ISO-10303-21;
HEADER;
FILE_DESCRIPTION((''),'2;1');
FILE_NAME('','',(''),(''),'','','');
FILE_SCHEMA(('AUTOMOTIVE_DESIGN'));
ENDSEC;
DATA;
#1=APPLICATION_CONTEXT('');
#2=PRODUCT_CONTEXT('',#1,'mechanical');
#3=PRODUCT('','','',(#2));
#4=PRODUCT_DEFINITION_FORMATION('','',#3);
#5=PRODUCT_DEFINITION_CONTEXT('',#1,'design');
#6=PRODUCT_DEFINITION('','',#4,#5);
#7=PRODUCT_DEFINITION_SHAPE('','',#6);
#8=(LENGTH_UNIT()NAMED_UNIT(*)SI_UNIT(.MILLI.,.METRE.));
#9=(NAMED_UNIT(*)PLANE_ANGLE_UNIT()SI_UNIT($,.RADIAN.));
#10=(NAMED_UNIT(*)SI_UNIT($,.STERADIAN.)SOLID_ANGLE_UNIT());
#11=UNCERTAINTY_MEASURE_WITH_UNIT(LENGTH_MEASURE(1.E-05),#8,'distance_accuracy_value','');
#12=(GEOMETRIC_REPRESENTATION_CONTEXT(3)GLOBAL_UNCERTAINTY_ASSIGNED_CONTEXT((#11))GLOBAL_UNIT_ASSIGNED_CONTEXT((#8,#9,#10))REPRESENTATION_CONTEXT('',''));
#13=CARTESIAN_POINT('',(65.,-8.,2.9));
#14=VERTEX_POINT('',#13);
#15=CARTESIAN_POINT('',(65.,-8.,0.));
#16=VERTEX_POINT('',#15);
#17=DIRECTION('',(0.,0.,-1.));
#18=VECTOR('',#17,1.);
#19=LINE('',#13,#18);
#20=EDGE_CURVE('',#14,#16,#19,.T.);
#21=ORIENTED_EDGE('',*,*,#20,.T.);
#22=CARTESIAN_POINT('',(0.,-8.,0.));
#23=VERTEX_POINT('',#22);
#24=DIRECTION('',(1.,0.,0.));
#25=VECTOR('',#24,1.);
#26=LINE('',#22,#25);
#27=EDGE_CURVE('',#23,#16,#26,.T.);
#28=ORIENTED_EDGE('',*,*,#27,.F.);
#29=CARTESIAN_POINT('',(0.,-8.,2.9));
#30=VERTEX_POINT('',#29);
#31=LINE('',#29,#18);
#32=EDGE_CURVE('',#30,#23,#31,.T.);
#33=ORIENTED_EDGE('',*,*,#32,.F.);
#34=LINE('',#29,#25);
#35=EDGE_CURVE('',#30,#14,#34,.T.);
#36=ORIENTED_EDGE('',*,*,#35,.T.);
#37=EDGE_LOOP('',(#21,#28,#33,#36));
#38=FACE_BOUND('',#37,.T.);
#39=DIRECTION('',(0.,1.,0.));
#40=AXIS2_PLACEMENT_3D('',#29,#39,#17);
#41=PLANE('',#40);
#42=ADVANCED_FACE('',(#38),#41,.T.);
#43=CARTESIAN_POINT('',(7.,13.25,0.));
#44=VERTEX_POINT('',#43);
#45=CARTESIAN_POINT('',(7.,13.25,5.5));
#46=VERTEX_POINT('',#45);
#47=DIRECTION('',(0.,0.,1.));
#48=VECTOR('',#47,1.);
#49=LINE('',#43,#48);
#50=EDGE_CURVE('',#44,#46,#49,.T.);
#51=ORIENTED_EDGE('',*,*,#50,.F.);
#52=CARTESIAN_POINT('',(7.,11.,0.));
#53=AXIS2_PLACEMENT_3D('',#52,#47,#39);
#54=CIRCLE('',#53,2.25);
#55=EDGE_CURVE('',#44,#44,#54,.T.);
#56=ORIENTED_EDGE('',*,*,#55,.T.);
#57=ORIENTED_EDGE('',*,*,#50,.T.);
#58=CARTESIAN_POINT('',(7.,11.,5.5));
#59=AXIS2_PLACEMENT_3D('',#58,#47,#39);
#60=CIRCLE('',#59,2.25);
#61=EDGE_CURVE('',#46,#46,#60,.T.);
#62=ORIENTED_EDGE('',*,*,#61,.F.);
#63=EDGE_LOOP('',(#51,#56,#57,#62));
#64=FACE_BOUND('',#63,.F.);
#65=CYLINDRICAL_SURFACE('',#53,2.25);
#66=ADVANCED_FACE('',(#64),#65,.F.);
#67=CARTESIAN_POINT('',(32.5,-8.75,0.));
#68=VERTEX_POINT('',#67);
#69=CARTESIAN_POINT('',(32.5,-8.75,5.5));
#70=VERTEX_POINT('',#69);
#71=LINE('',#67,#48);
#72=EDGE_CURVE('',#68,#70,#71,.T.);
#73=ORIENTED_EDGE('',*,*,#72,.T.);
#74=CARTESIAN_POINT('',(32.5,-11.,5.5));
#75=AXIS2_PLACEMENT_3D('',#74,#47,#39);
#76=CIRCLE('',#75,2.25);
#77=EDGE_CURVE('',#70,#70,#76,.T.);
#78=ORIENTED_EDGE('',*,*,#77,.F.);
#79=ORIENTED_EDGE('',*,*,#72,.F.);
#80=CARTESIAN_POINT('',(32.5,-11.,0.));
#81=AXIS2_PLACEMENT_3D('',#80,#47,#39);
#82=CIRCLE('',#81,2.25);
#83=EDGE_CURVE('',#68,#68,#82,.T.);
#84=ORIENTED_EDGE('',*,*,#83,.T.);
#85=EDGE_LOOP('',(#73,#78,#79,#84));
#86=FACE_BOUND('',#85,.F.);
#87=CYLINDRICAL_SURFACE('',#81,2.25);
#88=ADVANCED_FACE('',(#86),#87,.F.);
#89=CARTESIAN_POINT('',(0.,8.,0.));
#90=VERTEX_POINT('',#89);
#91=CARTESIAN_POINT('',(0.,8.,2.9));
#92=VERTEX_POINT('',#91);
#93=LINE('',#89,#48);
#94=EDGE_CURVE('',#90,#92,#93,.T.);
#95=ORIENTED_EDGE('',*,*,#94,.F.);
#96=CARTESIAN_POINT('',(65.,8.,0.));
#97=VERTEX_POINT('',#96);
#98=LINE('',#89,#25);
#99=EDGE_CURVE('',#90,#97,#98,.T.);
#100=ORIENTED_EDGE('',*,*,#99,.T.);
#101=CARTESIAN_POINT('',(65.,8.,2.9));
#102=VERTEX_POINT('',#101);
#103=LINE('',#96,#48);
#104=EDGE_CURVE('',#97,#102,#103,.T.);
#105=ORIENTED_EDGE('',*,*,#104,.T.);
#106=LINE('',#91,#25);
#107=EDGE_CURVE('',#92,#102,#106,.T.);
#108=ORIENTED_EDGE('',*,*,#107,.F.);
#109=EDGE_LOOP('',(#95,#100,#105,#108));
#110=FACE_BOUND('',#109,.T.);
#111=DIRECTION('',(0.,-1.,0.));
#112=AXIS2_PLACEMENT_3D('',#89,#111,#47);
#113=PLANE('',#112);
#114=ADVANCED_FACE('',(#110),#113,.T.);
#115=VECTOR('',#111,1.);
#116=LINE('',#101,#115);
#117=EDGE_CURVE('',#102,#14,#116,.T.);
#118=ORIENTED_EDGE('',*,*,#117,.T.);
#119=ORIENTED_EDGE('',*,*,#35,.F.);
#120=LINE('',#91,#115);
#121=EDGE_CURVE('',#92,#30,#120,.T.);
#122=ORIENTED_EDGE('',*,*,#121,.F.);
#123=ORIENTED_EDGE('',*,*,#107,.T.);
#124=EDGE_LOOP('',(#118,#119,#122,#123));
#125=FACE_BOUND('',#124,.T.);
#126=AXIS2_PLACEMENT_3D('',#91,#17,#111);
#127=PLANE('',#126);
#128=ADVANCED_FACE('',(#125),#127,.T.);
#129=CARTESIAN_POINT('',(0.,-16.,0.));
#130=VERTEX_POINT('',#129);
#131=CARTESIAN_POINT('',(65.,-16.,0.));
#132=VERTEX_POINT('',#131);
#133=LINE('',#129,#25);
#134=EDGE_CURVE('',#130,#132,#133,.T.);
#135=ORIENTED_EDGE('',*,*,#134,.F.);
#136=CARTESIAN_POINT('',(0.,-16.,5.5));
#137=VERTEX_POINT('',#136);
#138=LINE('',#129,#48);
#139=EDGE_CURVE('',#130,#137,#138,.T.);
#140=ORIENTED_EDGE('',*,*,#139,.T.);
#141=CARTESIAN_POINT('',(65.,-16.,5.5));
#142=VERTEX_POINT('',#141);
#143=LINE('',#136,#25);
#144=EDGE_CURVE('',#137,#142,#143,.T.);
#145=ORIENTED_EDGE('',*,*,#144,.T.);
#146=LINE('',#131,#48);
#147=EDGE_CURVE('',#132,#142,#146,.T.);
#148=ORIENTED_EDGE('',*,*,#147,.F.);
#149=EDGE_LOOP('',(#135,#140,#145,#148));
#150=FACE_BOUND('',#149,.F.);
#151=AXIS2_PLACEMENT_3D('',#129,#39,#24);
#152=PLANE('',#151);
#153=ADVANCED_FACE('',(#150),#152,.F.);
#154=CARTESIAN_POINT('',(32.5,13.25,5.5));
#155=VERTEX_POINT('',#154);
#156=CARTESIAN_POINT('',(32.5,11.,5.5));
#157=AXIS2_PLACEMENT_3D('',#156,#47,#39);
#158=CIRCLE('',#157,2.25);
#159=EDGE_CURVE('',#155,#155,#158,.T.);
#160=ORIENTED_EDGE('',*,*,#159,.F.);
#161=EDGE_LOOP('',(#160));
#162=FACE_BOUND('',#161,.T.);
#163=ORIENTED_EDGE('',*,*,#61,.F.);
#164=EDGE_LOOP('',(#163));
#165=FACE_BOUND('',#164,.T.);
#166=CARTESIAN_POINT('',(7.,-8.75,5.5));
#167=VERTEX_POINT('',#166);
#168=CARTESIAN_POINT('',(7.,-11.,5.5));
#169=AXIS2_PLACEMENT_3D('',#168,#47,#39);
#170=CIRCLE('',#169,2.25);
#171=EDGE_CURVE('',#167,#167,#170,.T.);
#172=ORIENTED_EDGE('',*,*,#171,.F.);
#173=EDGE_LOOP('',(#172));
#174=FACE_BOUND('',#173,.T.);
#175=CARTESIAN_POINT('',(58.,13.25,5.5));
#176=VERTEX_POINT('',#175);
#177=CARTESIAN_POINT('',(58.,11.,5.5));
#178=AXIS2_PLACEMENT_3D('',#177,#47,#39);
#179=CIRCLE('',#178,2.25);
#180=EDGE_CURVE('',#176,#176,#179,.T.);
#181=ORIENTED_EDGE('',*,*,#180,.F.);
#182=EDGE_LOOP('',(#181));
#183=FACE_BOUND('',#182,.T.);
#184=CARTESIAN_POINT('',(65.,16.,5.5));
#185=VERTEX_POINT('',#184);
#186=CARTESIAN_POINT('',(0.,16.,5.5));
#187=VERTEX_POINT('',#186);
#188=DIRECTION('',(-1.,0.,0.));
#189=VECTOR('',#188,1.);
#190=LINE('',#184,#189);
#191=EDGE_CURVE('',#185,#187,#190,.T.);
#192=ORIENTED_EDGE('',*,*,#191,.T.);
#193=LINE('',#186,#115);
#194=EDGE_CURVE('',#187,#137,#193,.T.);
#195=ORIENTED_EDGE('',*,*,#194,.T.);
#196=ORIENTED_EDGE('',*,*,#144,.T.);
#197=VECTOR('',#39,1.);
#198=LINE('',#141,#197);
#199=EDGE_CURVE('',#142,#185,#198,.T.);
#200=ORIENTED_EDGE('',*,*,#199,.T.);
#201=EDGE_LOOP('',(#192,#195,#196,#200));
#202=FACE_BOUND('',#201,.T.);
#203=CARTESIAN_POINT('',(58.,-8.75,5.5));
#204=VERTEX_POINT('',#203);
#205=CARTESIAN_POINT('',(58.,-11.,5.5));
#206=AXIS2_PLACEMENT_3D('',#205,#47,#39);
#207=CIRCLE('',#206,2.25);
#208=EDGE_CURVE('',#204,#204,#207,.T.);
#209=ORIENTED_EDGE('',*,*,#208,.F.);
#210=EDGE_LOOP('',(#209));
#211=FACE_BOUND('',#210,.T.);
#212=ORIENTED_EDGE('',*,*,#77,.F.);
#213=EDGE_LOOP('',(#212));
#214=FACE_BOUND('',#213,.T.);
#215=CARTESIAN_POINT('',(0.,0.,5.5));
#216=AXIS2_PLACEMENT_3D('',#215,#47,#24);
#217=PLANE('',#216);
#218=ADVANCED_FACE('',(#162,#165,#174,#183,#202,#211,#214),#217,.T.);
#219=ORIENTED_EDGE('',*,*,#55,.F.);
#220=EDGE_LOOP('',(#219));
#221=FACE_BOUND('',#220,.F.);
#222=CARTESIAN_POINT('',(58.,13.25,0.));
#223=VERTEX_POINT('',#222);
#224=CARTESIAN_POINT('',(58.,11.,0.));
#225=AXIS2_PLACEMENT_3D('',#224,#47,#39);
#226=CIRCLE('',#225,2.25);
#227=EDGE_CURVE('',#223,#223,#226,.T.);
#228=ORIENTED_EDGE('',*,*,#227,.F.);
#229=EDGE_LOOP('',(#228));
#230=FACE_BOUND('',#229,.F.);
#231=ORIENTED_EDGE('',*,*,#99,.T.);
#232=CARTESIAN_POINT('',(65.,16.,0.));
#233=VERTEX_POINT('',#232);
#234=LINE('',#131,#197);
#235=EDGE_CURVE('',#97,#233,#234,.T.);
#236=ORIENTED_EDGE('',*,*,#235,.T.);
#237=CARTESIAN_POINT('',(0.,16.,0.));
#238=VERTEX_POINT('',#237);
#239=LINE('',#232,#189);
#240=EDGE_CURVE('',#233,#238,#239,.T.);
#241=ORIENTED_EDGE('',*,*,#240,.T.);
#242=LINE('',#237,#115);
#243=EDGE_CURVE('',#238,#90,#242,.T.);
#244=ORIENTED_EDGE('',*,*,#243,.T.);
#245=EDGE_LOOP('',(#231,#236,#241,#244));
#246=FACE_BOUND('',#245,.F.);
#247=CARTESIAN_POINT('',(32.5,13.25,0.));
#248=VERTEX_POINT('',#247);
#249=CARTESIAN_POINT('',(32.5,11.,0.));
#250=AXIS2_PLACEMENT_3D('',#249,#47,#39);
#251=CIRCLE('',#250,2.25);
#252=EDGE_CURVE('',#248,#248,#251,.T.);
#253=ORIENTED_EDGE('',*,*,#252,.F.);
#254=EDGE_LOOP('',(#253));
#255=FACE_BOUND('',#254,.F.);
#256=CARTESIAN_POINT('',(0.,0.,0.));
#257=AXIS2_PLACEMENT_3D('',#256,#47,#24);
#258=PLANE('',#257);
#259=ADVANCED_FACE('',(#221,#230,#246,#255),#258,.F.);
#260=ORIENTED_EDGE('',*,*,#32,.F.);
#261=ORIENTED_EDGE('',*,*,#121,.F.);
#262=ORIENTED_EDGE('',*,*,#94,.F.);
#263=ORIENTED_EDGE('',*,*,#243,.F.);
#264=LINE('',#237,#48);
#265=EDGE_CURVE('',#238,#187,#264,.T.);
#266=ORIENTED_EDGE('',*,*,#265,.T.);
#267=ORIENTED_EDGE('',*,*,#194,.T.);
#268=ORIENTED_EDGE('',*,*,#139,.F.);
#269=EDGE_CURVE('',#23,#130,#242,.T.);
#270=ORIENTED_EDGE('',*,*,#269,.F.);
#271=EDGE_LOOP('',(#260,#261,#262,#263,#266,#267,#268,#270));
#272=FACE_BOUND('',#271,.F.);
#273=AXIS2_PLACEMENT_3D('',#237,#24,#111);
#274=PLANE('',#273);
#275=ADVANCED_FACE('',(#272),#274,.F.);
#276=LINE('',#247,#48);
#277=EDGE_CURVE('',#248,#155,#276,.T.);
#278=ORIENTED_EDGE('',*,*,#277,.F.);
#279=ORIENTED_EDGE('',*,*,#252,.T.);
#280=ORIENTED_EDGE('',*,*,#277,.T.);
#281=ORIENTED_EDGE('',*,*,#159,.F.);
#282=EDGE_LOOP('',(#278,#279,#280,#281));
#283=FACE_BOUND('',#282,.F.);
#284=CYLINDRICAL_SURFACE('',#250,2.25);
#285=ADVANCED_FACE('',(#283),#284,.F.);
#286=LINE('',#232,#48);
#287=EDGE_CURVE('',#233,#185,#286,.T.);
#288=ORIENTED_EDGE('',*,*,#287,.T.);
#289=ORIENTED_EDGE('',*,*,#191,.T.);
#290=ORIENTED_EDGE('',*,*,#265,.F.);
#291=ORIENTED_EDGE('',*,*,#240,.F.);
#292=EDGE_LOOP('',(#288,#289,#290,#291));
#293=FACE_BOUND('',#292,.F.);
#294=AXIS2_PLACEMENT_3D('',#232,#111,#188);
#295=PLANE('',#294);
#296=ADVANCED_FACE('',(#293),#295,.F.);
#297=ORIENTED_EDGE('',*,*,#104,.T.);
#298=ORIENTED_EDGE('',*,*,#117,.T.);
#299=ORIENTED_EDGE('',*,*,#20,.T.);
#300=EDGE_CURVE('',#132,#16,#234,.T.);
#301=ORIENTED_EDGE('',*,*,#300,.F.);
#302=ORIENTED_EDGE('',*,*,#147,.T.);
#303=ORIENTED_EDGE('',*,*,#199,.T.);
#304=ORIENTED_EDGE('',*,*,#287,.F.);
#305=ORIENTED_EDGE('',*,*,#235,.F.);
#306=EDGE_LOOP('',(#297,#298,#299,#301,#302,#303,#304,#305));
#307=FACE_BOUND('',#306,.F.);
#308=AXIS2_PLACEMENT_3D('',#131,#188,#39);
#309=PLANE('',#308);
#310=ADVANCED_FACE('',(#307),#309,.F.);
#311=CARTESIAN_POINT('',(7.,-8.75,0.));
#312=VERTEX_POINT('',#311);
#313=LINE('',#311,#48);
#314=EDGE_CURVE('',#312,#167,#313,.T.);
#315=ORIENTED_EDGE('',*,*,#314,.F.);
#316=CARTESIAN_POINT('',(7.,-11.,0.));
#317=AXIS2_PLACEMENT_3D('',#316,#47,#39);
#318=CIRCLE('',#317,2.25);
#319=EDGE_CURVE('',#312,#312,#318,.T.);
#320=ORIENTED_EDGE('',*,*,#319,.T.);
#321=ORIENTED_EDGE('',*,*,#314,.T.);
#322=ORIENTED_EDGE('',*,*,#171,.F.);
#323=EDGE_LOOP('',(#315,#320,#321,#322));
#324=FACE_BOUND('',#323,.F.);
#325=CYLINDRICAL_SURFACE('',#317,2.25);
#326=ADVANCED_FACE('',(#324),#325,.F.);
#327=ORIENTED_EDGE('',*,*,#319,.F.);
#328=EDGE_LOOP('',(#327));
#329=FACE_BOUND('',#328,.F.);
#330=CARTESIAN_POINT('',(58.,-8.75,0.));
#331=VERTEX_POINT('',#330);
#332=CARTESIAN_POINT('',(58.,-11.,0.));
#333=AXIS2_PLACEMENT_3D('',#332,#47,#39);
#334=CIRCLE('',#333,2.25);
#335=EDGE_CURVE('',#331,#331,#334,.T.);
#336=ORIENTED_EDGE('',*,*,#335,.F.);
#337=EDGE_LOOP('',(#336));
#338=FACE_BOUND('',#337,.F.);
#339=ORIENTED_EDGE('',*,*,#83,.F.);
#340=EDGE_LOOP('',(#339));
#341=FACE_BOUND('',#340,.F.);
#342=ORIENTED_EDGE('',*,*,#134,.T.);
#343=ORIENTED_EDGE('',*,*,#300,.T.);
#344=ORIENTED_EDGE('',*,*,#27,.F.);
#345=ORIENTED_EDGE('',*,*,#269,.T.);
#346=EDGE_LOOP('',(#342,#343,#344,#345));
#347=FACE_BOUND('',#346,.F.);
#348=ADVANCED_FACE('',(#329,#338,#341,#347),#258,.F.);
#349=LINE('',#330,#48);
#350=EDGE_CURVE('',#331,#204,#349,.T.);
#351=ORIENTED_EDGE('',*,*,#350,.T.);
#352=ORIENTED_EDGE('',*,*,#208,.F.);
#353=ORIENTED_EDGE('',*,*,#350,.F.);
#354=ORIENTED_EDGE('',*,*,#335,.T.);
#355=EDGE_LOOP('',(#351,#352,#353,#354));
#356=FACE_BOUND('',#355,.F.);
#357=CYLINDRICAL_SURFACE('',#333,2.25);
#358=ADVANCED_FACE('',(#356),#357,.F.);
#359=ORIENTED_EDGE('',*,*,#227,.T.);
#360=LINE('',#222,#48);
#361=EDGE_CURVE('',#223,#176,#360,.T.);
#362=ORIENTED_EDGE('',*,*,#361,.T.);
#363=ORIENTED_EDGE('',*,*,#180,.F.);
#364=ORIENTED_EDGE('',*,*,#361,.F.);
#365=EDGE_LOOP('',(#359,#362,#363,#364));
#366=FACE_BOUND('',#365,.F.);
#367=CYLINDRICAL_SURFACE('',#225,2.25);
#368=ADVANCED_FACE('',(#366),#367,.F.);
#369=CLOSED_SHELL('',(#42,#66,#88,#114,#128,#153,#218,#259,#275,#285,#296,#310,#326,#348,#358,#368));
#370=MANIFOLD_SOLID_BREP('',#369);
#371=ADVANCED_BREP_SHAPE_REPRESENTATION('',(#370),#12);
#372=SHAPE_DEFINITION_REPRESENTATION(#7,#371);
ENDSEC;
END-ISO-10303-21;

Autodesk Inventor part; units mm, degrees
sketch "Sketch_1" plane through (0, 0, 0) normal (0, 0, 1) x (1, 0, 0)
  line L0 (0, 16) -> (0, -16)
  line L1 (0, -16) -> (65, -16)
  line L2 (65, -16) -> (65, 16)
  line L3 (65, 16) -> (0, 16)
extrude "Extrusion1" add sketch "Sketch_1" along normal blind 5.5
sketch "Sketch2" plane through (0, 0, 0) normal (0, 0, -1) x (-1, 0, 0)
  point P0 (-7, 11)
hole "Hole1" at (7, 11, 0) direction (0, 0, 1) diameter 4.5 depth 5.5
pattern_linear "Rectangular Pattern1" count 3 spacing 25.5 along (1, 0, 0) count 2 spacing 22 along (0, -1, 0) of "Hole1"
sketch "Sketch_4" plane through (0, 0, 0) normal (1, 0, 0) x (0, 1, 0)
  line L0 (8, 2.9) -> (-8, 2.9)
  line L1 (-8, 2.9) -> (-8, 0)
  line L2 (-8, 0) -> (8, 0)
  line L3 (8, 0) -> (8, 2.9)
extrude "Extrusion2" cut sketch "Sketch_4" along normal blind 65
ref_plane "tbck_XY" through (0, 0, 0) normal (0, 0, 1) x (1, 0, 0)
ref_plane "tbck_YZ" through (0, 0, 0) normal (1, 0, 0) x (0, 1, 0)
ref_plane "tbck_ZX" through (0, 0, 0) normal (0, 1, 0) x (0, 0, 1)
ref_plane "tbck_hole_1_XY" through (7, -11, 5.5) normal (0, 0, 1) x (1, 0, 0)
ref_plane "tbck_hole_1_YZ" through (7, -11, 5.5) normal (1, 0, 0) x (0, 1, 0)
ref_plane "tbck_hole_1_ZX" through (7, -11, 5.5) normal (0, 1, 0) x (0, 0, 1)
ref_plane "tbck_hole_2_XY" through (32.5, -11, 5.5) normal (0, 0, 1) x (1, 0, 0)
ref_plane "tbck_hole_2_YZ" through (32.5, -11, 5.5) normal (1, 0, 0) x (0, 1, 0)
ref_plane "tbck_hole_2_ZX" through (32.5, -11, 5.5) normal (0, 1, 0) x (0, 0, 1)
ref_plane "tbck_hole_3_XY" through (58, -11, 5.5) normal (0, 0, 1) x (1, 0, 0)
ref_plane "tbck_hole_3_YZ" through (58, -11, 5.5) normal (1, 0, 0) x (0, 1, 0)
ref_plane "tbck_hole_3_ZX" through (58, -11, 5.5) normal (0, 1, 0) x (0, 0, 1)
ref_plane "tbck_holes_1_XY" through (7, 11, 5.5) normal (0, 0, 1) x (1, 0, 0)
ref_plane "tbck_holes_1_YZ" through (7, 11, 5.5) normal (1, 0, 0) x (0, 1, 0)
ref_plane "tbck_holes_1_ZX" through (7, 11, 5.5) normal (0, 1, 0) x (0, 0, 1)
ref_plane "tbck_holes_2_XY" through (32.5, 11, 5.5) normal (0, 0, 1) x (1, 0, 0)
ref_plane "tbck_holes_2_YZ" through (32.5, 11, 5.5) normal (1, 0, 0) x (0, 1, 0)
ref_plane "tbck_holes_2_ZX" through (32.5, 11, 5.5) normal (0, 1, 0) x (0, 0, 1)
ref_plane "tbck_holes_3_XY" through (58, 11, 5.5) normal (0, 0, 1) x (1, 0, 0)
ref_plane "tbck_holes_3_YZ" through (58, 11, 5.5) normal (1, 0, 0) x (0, 1, 0)
ref_plane "tbck_holes_3_ZX" through (58, 11, 5.5) normal (0, 1, 0) x (0, 0, 1)
properties part number "TBCKsupport_plate-MA5150_support_plate"
